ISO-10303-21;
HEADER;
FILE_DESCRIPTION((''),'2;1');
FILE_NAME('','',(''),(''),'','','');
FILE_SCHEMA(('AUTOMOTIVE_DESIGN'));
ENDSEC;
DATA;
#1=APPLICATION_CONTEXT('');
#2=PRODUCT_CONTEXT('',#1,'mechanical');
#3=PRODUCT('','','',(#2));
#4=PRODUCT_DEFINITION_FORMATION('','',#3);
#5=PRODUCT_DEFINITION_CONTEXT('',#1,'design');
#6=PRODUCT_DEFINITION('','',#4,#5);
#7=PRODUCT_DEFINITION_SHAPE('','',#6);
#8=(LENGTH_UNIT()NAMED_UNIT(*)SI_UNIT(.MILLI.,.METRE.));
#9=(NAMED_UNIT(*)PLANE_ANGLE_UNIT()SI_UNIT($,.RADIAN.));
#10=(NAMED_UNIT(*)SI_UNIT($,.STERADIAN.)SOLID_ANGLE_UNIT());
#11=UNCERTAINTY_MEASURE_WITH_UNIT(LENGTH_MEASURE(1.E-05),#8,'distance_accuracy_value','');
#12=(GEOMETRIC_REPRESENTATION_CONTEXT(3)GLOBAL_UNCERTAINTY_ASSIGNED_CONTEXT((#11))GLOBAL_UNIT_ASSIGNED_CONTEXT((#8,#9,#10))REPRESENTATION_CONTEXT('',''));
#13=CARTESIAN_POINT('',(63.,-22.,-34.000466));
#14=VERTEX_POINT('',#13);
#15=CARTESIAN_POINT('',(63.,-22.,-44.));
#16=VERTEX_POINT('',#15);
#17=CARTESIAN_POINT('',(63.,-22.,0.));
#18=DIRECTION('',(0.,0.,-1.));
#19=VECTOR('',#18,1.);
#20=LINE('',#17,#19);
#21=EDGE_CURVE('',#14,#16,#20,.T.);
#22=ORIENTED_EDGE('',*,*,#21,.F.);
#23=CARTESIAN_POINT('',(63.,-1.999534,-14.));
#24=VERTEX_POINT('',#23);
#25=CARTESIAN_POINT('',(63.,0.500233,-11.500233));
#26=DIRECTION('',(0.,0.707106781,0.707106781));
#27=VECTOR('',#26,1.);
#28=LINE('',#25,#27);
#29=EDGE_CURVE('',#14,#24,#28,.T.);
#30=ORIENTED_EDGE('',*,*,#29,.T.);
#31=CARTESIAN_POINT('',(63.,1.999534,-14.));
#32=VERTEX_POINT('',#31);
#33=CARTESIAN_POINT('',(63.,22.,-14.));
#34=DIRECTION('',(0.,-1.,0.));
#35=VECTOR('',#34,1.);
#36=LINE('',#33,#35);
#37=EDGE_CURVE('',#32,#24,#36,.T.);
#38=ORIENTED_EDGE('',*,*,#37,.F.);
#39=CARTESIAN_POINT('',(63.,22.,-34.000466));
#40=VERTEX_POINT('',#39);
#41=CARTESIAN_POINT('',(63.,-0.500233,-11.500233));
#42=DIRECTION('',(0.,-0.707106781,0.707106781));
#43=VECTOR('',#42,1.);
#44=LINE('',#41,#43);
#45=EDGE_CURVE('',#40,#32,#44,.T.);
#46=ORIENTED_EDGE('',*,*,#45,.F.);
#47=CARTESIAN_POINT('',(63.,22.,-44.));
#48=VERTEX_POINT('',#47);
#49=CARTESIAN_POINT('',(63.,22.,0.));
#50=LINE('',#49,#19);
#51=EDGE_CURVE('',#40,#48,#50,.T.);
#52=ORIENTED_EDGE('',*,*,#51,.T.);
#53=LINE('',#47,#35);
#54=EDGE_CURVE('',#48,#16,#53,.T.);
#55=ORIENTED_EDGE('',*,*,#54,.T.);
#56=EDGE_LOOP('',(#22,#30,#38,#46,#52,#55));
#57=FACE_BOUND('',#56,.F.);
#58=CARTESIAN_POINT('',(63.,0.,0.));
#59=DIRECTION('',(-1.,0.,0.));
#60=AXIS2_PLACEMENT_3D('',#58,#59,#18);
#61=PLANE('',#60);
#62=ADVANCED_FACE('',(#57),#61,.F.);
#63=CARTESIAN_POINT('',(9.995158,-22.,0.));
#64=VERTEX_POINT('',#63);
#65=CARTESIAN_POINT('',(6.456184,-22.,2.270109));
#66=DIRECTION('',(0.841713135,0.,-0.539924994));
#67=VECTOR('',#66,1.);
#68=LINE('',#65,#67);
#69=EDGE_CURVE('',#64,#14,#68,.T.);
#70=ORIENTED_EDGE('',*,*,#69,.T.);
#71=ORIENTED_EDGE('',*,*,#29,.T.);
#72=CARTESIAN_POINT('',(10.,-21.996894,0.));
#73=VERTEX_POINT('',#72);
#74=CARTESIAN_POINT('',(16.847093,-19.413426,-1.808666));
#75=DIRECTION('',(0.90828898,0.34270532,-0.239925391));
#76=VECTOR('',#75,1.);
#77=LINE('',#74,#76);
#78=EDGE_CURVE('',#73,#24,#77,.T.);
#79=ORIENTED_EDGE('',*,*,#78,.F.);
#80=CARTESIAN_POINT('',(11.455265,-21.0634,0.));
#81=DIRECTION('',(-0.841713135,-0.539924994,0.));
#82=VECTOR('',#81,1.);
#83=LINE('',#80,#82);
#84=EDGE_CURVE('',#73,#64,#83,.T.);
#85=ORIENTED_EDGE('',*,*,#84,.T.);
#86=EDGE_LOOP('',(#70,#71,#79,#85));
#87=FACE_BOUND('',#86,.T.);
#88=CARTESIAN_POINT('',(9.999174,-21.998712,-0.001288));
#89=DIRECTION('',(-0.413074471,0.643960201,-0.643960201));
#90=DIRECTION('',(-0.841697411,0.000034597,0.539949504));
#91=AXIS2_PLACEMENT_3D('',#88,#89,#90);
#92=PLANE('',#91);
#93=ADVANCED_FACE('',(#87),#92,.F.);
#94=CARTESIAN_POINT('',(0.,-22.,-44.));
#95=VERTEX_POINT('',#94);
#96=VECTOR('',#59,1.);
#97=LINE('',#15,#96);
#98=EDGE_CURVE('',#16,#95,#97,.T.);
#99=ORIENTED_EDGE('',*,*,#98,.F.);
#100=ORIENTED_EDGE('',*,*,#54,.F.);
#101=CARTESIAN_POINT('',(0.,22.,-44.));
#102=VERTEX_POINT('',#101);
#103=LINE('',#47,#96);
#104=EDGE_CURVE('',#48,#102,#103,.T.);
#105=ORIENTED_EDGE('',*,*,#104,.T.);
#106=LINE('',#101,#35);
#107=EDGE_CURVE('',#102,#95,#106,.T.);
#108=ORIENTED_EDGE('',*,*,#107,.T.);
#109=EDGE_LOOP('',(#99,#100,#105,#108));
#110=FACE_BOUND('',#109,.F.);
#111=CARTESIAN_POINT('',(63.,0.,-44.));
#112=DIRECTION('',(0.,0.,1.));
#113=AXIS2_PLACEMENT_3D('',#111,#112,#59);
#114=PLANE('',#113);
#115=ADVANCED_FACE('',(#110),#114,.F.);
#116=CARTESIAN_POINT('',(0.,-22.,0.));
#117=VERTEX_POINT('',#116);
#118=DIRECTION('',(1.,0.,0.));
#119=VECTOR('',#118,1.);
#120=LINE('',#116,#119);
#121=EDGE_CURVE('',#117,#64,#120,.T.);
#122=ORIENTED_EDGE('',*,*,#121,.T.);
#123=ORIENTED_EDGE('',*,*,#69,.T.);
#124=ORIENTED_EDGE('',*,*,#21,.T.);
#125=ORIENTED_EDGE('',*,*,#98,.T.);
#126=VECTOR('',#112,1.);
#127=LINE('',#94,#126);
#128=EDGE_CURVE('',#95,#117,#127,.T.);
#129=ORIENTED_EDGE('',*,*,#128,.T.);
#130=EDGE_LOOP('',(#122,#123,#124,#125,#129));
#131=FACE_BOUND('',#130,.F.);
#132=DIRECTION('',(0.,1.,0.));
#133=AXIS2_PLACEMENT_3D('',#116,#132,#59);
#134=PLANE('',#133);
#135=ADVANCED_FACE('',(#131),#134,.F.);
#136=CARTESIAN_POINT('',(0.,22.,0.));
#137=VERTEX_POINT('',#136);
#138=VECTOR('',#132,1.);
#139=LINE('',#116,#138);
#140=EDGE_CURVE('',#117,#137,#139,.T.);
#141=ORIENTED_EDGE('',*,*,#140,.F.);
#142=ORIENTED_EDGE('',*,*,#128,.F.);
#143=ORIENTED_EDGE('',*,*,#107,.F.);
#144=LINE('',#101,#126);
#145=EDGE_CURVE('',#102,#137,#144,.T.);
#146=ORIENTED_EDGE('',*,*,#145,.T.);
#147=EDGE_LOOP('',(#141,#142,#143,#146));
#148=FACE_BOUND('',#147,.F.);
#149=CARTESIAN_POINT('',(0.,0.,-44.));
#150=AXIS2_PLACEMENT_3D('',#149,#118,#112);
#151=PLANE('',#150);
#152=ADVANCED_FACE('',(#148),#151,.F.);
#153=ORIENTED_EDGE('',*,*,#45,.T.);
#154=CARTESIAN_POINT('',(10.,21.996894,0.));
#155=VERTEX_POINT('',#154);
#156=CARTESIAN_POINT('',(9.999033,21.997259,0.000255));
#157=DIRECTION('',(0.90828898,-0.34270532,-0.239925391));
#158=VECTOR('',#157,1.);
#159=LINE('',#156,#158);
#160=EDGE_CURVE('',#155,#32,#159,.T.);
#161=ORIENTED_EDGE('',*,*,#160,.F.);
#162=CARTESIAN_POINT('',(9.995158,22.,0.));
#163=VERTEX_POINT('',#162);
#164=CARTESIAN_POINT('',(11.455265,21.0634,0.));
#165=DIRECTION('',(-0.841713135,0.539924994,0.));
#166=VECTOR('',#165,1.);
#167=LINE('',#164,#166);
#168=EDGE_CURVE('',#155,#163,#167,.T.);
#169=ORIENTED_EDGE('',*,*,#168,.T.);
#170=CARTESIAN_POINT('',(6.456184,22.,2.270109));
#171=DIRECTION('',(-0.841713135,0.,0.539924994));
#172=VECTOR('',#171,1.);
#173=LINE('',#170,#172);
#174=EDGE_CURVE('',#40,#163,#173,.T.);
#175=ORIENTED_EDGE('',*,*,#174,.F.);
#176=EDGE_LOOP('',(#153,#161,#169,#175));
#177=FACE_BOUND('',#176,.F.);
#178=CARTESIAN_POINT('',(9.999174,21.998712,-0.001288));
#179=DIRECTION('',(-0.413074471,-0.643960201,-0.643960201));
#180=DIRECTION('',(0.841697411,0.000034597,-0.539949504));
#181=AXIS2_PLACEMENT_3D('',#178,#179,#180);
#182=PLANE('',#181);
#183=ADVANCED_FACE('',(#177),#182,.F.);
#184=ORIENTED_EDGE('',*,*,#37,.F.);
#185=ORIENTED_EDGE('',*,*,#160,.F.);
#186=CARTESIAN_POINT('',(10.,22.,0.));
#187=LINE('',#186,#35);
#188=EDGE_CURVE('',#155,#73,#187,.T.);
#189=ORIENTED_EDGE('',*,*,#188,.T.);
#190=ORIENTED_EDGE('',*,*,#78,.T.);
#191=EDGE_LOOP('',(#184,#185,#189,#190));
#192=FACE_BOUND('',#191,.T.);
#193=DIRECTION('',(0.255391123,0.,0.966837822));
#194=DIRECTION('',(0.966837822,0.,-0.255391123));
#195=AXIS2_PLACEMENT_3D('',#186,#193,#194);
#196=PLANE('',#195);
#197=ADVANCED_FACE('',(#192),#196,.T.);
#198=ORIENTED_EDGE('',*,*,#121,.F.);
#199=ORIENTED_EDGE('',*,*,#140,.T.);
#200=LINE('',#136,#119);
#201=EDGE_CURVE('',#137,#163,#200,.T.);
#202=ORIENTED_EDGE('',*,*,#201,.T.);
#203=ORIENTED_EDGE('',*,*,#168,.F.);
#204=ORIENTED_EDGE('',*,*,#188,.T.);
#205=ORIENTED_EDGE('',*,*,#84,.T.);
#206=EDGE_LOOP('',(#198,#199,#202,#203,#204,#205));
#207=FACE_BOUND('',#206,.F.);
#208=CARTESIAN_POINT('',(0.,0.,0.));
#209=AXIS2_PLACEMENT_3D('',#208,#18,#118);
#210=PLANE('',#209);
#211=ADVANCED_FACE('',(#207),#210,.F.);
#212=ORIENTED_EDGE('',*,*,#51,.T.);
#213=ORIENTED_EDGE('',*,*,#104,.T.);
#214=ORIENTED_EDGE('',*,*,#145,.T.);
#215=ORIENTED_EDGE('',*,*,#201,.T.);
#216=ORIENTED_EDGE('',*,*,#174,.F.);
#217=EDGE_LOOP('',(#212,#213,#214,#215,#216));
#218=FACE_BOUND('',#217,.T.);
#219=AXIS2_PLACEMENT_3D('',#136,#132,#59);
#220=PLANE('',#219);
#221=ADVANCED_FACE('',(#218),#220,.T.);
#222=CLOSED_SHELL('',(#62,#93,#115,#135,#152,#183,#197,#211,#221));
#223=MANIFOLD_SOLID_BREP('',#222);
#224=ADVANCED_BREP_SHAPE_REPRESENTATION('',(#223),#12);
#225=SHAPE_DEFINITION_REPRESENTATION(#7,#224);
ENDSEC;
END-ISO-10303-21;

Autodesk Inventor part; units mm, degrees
ref_plane "YZ Plane" through (0, 0, 0) normal (1, 0, 0) x (0, 1, 0)
ref_plane "XZ Plane" through (0, 0, 0) normal (0, 1, 0) x (-1, 0, 0)
sketch "草圖1" plane through (0, 0, 0) normal (0, 1, 0) x (-1, 0, 0)
  line L0 (0, 0) -> (-63, 0)
  line L1 (-63, 0) -> (-63, -44)
  line L2 (-63, -44) -> (0, -44)
  line L3 (0, -44) -> (0, 0)
  dimension "d0" = 63
  dimension "d1" = 44
extrude "擠出1" add sketch "草圖1" along normal mid plane 44
sketch "草圖2" plane through (0, 22, 0) normal (0, 1, 0) x (1, 0, 0)
  line L0 (0, 0) -> (63, 0) projected
  line L1 (10, 0) -> (63, 14)
  line L2 (63, 0) -> (63, 44) projected
  dimension "d4" = 10
  dimension "d5" = 30
extrude "擠出2" cut sketch "草圖2" against normal blind 60
sketch "草圖3" plane through (63, -22, -44) normal (1, 0, 0) x (0, 0, -1)
  line L0 (-30, 24) -> (-10, 44)
  line L1 (0, 44) -> (-44, 44) projected
  line L2 (-30, 44) -> (-30, 0) projected
  point P0 (-44, 22)
  point P1 (-30, 2)
  dimension "d8" = 20
  dimension "d9" = 20
ref_plane "工作平面1" through (10, 22, 0) normal (-0.4131, -0.644, -0.644) x (0.8417, 0, -0.54)
sketch "草圖4" plane through (10, 22, 0) normal (-0.4131, -0.644, -0.644) x (0.8417, 0, -0.54)
  line L0 (-15.1543, -12.3218) -> (93.717, -12.3218)
  line L1 (93.717, -12.3218) -> (93.717, 28.8166)
  line L2 (93.717, 28.8166) -> (-15.1543, 28.8166)
  line L3 (-15.1543, 28.8166) -> (-15.1543, -12.3218)
  point P0 (-8.4169, 13.3544)
extrude "擠出3" cut sketch "草圖4" against normal blind 40
mirror "鏡射1" about plane through (0, 0, 0) normal (0, 1, 0) of "擠出3"
properties part number "6464"
